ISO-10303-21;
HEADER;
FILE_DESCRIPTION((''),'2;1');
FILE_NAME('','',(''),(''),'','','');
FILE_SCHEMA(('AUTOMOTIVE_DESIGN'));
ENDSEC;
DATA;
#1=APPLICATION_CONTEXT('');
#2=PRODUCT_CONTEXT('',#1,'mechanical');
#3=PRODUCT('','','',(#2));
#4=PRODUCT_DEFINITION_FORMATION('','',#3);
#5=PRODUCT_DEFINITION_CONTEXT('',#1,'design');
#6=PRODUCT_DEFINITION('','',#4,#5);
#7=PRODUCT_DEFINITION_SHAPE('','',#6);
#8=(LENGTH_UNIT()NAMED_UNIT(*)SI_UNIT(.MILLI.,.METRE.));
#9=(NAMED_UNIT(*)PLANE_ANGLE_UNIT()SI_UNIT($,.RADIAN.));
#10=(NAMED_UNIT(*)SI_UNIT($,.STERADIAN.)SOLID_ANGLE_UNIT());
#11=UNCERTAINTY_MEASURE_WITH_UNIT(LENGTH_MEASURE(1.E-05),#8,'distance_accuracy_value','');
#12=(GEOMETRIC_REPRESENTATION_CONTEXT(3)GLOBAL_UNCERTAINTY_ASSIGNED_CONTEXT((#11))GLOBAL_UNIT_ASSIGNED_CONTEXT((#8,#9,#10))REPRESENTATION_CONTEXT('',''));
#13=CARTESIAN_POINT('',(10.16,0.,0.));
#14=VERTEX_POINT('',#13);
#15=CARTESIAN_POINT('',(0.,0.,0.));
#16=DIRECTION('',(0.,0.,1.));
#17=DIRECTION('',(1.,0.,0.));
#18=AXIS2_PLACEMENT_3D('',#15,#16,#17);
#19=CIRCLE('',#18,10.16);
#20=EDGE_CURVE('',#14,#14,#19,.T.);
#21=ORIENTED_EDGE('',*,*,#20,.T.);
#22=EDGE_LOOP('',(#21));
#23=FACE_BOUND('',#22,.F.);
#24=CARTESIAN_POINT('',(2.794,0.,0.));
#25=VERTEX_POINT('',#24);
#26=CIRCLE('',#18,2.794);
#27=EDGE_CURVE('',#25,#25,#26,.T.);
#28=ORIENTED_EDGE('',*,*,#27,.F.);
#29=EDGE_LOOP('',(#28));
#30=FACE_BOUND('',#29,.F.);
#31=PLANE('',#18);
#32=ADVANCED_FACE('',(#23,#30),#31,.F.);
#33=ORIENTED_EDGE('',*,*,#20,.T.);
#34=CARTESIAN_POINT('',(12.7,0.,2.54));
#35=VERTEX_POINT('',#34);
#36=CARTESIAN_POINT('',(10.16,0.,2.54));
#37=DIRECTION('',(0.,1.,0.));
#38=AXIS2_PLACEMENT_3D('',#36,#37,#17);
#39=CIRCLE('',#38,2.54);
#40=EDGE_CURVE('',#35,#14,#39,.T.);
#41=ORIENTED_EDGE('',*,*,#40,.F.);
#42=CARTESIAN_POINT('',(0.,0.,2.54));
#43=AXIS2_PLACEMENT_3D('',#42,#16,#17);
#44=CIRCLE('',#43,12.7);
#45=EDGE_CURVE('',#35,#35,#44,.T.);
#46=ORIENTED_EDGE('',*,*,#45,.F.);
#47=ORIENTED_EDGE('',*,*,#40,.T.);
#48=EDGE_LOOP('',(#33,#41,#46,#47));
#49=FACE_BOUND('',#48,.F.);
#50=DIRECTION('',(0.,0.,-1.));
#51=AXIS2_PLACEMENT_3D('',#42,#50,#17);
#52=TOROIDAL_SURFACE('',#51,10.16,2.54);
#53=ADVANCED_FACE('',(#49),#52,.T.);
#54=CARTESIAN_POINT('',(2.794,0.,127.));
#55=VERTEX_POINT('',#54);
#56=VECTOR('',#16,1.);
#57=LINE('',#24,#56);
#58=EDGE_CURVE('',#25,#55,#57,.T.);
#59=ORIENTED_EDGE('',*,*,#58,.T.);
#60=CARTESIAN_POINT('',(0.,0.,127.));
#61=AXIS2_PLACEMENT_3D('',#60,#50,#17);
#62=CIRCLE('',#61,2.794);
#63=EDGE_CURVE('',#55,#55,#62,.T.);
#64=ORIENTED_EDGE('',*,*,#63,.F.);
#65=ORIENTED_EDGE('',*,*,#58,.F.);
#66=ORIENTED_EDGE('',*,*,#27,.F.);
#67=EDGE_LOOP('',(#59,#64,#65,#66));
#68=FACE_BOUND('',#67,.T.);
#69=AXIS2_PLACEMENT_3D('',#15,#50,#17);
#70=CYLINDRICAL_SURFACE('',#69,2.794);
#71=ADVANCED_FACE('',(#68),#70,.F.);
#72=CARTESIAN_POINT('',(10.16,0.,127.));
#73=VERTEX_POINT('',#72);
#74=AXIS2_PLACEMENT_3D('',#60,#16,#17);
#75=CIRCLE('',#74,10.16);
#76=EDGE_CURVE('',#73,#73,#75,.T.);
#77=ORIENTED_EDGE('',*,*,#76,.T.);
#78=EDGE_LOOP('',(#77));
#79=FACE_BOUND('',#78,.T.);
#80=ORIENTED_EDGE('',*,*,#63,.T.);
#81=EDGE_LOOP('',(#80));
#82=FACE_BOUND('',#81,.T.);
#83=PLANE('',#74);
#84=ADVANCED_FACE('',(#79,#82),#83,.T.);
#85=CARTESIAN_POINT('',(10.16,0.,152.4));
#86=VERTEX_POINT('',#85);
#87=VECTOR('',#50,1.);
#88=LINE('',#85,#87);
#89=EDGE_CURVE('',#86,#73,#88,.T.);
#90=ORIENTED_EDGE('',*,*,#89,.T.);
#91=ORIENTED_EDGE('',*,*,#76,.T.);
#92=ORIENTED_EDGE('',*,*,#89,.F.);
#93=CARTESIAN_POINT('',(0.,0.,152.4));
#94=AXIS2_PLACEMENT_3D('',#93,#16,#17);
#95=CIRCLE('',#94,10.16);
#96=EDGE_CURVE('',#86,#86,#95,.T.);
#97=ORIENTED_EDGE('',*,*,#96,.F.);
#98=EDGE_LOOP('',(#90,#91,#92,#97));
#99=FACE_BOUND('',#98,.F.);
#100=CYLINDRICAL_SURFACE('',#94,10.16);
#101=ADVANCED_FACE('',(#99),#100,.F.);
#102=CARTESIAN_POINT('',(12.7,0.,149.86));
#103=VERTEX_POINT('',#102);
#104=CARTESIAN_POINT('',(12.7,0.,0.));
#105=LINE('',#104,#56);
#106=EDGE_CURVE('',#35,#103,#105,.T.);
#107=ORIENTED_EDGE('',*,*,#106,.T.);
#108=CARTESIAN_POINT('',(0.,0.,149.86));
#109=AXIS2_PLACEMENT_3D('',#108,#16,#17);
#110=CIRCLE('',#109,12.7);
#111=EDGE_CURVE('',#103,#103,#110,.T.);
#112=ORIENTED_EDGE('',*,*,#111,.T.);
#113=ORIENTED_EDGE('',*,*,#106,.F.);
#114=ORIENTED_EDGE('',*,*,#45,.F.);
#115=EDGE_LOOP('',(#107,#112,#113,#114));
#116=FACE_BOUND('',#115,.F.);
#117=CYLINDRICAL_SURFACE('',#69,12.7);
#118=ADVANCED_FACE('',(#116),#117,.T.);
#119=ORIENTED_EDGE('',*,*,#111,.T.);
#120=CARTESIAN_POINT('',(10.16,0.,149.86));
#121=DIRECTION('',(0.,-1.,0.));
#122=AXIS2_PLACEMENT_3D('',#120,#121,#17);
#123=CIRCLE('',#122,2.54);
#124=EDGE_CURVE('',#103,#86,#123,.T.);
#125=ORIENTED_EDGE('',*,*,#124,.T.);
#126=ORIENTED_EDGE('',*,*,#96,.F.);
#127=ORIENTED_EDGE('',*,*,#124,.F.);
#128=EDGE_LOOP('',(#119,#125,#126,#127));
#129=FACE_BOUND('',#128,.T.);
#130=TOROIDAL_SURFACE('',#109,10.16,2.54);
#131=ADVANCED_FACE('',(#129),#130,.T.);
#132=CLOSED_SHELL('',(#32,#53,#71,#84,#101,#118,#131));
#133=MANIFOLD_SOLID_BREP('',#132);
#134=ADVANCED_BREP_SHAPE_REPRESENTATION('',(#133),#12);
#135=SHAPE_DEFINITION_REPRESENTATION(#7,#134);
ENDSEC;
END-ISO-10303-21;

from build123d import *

# Parameters (mm, degrees)
F0_R     = 12.7
F2_DEPTH = 152.4
F1_R     = 2.794
F3_DEPTH = 177.8
F4_R     = 2.54
F5_R     = 2.54
F6_DEPTH = 25.4


with BuildPart() as f2:
    # F0 (on Top) → F2 (new body)
    with BuildSketch(Plane.XY):
        Circle(F0_R)
    extrude(amount=F2_DEPTH)

    # F1 (on face) → F3 (cut)
    with BuildSketch(Plane.XY):
        Circle(F1_R)
    extrude(amount=F3_DEPTH, mode=Mode.SUBTRACT)

    # F4
    f4_edges = [f2.edges().sort_by_distance(p)[0] for p in [
        (-12.7, 0, 0),
    ]]
    fillet(f4_edges, radius=F4_R)

    # F5
    f5_edges = [f2.edges().sort_by_distance(p)[0] for p in [
        (-12.7, 0, 152.4),
    ]]
    fillet(f5_edges, radius=F5_R)

    # F6 (cut): a face of the model
    f6_faces = [f2.faces().sort_by_distance(p)[0] for p in [
        (-9.8726318041, 0, 152.4),
    ]]
    extrude(f6_faces, amount=-F6_DEPTH, mode=Mode.SUBTRACT)


solid = f2.part
